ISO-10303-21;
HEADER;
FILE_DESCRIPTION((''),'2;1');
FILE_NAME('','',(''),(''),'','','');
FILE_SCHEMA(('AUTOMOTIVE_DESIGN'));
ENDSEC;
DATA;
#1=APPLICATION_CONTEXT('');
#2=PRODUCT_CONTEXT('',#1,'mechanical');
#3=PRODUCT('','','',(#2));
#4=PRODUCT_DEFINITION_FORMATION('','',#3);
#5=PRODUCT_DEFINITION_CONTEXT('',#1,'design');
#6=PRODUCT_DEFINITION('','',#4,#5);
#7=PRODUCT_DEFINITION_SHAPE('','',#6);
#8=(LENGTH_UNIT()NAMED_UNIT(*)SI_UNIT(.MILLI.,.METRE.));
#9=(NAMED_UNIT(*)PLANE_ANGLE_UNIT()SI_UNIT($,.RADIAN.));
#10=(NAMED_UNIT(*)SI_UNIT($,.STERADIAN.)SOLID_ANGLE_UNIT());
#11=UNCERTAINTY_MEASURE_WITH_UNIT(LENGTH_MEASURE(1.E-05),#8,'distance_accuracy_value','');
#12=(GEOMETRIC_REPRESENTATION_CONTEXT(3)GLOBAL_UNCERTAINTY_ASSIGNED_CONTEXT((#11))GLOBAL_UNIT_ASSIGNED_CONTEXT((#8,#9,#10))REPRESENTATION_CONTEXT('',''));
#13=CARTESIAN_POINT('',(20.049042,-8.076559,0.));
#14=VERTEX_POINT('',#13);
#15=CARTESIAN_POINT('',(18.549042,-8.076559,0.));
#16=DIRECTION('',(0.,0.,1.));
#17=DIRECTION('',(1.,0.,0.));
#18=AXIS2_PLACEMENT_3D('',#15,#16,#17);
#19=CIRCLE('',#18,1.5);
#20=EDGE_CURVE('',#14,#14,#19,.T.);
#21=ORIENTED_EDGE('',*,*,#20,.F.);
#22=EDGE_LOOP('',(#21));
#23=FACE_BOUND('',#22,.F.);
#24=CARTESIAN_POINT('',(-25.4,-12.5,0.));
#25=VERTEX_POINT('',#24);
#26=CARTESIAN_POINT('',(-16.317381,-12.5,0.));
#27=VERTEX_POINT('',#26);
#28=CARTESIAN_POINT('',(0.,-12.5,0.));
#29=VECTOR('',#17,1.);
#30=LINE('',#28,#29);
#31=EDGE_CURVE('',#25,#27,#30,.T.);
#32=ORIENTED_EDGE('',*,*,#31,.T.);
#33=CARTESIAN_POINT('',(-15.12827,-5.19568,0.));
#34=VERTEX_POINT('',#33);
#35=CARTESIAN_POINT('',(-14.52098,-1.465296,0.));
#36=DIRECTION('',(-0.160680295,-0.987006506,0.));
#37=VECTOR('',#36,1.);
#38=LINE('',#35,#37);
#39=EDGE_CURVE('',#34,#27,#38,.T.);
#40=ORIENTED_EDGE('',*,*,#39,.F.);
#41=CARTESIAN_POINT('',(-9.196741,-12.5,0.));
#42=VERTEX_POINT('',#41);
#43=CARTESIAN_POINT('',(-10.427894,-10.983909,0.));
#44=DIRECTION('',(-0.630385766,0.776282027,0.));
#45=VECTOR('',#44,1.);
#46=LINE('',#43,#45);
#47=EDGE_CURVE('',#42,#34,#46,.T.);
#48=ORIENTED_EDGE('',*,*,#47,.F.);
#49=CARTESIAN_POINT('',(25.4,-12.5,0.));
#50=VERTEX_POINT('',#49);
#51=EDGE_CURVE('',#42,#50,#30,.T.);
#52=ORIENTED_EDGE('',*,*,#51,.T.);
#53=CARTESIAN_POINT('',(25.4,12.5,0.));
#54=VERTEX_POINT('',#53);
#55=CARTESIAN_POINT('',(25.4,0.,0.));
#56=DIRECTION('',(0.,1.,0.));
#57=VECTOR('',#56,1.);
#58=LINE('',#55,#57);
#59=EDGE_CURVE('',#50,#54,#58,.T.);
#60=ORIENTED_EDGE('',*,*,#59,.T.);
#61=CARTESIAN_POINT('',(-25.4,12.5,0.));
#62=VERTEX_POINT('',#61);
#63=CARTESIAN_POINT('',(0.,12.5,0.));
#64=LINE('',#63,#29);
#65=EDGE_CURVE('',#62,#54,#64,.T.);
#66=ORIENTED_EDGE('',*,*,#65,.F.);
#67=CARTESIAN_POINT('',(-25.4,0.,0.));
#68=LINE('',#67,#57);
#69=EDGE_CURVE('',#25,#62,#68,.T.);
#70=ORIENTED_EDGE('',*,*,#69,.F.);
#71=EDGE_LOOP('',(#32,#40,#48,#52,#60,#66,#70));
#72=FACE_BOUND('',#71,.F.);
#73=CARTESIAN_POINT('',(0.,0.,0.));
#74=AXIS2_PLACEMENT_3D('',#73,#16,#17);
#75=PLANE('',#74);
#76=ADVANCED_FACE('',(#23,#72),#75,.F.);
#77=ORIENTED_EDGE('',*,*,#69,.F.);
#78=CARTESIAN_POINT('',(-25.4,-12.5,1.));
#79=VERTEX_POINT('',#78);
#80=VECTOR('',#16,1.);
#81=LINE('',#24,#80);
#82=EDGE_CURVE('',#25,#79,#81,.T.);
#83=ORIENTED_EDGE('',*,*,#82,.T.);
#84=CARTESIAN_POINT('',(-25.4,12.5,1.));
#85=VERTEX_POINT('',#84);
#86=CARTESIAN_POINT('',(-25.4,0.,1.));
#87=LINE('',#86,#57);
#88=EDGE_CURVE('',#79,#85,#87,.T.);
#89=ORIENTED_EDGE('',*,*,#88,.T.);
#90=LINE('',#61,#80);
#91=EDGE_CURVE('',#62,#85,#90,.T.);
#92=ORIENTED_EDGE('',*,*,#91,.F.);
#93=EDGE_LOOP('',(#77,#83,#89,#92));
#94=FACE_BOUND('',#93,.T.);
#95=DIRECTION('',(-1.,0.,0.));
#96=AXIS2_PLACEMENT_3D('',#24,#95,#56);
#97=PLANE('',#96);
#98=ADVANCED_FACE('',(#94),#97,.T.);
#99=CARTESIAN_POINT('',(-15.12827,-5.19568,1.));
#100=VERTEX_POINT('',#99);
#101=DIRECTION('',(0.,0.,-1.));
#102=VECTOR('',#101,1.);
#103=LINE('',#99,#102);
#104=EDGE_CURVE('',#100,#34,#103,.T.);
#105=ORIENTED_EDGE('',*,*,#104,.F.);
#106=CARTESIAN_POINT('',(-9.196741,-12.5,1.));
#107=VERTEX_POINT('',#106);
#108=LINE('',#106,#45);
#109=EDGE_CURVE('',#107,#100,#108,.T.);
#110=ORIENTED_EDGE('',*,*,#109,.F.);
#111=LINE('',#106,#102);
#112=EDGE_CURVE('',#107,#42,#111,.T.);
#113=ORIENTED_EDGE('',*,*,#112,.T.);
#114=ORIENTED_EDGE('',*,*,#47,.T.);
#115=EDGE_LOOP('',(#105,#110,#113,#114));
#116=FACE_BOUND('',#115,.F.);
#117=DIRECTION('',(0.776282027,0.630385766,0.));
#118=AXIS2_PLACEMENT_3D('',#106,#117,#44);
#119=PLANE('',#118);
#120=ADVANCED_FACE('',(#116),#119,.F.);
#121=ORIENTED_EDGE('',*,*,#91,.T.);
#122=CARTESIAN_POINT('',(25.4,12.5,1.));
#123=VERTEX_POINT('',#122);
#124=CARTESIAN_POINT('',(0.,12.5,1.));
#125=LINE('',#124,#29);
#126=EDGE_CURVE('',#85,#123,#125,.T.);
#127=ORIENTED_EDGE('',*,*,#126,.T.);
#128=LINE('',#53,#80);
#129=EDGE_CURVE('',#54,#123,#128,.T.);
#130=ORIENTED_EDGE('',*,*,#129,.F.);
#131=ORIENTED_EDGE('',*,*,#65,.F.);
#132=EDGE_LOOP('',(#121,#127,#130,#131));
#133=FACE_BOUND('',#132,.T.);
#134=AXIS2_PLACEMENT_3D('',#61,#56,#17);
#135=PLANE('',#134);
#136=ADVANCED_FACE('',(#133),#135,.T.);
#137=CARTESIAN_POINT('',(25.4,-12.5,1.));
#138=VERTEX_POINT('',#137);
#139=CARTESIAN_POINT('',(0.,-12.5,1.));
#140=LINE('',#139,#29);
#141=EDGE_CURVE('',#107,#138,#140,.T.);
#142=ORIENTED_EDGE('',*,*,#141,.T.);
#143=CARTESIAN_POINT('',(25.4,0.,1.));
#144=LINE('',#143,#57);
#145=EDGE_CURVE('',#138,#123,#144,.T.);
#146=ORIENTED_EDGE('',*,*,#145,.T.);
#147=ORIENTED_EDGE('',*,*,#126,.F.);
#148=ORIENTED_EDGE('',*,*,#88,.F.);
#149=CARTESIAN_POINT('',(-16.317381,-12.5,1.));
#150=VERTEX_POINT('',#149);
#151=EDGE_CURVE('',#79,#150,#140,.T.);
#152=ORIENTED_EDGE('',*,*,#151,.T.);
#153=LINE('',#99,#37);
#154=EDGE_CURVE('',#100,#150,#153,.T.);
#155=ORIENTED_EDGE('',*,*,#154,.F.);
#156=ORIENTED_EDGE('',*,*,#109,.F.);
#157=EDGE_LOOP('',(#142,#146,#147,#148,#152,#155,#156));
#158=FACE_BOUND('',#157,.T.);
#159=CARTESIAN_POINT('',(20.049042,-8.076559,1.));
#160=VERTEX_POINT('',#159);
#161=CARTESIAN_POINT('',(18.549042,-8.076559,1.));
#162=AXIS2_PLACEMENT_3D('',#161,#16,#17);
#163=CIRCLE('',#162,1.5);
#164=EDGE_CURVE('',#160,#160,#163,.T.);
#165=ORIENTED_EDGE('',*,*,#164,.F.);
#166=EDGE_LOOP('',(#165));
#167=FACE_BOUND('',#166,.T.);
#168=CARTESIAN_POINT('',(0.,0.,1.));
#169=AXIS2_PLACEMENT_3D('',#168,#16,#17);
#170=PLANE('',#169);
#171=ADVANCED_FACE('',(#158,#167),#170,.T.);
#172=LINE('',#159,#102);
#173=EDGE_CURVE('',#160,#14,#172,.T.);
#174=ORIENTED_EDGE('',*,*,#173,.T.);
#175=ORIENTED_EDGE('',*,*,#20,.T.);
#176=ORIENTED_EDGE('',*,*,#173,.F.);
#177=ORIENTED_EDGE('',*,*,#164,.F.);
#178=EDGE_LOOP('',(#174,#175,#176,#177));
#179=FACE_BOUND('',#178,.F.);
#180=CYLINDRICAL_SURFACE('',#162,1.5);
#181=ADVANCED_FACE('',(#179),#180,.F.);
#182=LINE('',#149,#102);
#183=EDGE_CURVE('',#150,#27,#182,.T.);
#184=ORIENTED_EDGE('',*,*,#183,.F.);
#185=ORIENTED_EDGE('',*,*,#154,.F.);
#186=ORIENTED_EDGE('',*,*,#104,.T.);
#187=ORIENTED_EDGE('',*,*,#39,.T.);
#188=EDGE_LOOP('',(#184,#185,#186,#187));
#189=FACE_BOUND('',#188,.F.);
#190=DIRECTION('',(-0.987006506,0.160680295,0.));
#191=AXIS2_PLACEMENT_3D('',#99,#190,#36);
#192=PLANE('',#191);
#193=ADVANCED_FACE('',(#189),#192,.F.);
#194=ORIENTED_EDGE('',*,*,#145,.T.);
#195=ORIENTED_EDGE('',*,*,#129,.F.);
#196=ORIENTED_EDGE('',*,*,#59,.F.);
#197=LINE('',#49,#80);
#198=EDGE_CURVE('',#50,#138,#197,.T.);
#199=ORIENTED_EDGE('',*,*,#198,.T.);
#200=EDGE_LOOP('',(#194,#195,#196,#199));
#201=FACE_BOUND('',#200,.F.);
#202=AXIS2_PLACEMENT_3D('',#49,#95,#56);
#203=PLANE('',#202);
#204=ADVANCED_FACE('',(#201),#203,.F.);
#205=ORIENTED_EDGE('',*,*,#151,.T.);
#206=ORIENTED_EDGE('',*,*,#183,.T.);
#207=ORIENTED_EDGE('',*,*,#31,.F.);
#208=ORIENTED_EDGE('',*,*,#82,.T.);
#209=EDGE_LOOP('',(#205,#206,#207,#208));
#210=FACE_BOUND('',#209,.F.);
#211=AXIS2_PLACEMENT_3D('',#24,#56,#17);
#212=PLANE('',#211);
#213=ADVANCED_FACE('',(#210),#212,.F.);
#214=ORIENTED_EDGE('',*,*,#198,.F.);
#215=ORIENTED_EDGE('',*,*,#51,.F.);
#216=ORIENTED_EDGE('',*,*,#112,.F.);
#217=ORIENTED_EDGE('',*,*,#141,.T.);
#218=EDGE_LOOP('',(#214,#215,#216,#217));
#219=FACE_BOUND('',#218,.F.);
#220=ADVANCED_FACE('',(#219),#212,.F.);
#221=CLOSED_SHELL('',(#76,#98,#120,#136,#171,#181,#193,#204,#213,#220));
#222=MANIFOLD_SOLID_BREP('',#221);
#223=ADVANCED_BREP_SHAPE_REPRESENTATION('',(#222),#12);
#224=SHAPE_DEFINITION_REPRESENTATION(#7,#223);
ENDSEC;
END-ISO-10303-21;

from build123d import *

# Parameters (mm, degrees)
F0_W     = 50.8
F0_H     = 25
F1_DEPTH = 1
F2_R     = 1.5
F3_DEPTH = 25
F5_DEPTH = 25


with BuildPart() as f1:
    # F0 (on Top) → F1 (new body)
    with BuildSketch(Plane.XY):
        Rectangle(F0_W, F0_H)
    extrude(amount=F1_DEPTH)

    # F2 (on face) → F3 (cut)
    with BuildSketch(Plane.XY.offset(1)):
        with Locations((18.549042, -8.076559)):
            Circle(F2_R)
    extrude(amount=-F3_DEPTH, mode=Mode.SUBTRACT)

    # F4 (on face) → F5 (cut)
    with BuildSketch(Plane.XY.offset(1)):
        Polygon((-15.12827, -5.19568), (-16.317381, -12.5), (-9.196741, -12.5), align=None)
    extrude(amount=-F5_DEPTH, mode=Mode.SUBTRACT)


solid = f1.part
